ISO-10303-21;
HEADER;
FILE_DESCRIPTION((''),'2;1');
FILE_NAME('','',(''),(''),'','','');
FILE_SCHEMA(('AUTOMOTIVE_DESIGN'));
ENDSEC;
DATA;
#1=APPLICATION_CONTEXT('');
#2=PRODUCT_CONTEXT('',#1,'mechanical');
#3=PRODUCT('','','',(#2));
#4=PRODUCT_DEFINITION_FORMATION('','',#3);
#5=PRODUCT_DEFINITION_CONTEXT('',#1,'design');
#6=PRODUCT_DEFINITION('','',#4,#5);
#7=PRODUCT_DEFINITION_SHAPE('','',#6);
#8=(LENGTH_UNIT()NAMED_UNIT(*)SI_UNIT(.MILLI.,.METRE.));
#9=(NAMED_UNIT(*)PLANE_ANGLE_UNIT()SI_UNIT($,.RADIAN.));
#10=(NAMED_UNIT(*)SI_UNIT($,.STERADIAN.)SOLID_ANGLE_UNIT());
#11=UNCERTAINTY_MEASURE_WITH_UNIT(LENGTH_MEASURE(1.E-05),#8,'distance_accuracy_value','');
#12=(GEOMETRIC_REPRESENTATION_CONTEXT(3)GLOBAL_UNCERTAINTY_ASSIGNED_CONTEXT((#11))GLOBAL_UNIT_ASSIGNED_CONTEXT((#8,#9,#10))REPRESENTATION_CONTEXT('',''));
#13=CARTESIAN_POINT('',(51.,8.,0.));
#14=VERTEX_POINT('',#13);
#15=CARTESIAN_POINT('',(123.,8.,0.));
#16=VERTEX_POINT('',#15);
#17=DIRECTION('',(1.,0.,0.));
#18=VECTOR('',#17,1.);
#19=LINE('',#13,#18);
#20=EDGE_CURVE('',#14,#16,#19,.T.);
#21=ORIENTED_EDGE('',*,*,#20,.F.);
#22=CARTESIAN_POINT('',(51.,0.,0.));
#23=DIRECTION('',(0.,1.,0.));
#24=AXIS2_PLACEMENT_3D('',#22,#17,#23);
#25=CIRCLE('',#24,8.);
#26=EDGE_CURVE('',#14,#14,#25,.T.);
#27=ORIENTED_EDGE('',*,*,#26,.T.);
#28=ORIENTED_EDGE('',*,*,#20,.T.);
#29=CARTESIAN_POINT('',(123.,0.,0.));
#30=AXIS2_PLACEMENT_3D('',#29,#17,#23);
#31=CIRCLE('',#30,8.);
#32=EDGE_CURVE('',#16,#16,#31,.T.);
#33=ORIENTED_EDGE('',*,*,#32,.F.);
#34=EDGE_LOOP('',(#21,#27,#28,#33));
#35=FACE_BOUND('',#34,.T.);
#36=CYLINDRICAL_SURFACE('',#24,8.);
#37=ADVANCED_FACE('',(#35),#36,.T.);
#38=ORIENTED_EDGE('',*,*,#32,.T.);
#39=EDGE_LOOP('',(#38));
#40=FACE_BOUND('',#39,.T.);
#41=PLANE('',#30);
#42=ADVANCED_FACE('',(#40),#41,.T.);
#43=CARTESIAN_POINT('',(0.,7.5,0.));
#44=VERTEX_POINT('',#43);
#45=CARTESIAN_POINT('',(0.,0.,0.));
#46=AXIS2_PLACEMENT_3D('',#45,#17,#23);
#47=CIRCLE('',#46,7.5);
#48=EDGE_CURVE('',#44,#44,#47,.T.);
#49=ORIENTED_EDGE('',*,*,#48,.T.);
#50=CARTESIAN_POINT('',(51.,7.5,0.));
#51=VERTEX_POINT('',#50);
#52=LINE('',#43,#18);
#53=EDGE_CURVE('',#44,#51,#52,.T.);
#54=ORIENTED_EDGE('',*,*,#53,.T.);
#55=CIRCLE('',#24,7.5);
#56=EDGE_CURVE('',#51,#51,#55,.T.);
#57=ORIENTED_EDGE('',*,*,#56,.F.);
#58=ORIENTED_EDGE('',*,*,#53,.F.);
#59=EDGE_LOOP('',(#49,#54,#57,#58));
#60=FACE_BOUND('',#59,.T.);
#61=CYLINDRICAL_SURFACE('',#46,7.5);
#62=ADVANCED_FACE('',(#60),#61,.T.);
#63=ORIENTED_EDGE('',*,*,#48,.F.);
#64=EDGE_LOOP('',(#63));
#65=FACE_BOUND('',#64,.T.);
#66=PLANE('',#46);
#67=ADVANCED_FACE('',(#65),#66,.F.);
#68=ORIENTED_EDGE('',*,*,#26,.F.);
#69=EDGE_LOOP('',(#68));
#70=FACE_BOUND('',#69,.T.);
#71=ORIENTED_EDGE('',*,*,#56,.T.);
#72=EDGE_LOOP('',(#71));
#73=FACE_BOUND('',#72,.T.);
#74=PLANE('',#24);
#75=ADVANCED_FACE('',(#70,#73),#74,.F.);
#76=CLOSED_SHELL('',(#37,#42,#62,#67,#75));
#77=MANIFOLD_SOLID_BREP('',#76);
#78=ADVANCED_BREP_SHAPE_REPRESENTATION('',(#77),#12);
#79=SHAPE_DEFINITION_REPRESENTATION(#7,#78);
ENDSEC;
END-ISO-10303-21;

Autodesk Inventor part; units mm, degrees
ref_plane "Start Plane" through (0, 0, 0) normal (1, 0, 0) x (0, 1, 0)
ref_plane "XZ Plane" through (0, 0, 0) normal (0, 1, 0) x (-1, 0, 0)
ref_plane "XY Plane" through (0, 0, 0) normal (0, 0, 1) x (1, 0, 0)
sketch "Main Sketch" plane through (0, 0, 0) normal (0, 0, 1) x (1, 0, 0)
  line L0 (0, 0) -> (123, 0)
  line L1 (0, 0) -> (0, 7.5)
  line L2 (0, 7.5) -> (51, 7.5)
  line L3 (51, 7.5) -> (51, 8)
  line L4 (123, 8) -> (123, 0)
  line L5 (51, 8) -> (123, 8)
  dimension "d3" = 15
  dimension "d8" = 16
revolve "Revolution1" add sketch "Main Sketch" angle 360 about axis through (0, 0, 0) along (1, 0, 0)
equation "\"Length\" = 123"
properties part number "Shaft" material "Steel"
